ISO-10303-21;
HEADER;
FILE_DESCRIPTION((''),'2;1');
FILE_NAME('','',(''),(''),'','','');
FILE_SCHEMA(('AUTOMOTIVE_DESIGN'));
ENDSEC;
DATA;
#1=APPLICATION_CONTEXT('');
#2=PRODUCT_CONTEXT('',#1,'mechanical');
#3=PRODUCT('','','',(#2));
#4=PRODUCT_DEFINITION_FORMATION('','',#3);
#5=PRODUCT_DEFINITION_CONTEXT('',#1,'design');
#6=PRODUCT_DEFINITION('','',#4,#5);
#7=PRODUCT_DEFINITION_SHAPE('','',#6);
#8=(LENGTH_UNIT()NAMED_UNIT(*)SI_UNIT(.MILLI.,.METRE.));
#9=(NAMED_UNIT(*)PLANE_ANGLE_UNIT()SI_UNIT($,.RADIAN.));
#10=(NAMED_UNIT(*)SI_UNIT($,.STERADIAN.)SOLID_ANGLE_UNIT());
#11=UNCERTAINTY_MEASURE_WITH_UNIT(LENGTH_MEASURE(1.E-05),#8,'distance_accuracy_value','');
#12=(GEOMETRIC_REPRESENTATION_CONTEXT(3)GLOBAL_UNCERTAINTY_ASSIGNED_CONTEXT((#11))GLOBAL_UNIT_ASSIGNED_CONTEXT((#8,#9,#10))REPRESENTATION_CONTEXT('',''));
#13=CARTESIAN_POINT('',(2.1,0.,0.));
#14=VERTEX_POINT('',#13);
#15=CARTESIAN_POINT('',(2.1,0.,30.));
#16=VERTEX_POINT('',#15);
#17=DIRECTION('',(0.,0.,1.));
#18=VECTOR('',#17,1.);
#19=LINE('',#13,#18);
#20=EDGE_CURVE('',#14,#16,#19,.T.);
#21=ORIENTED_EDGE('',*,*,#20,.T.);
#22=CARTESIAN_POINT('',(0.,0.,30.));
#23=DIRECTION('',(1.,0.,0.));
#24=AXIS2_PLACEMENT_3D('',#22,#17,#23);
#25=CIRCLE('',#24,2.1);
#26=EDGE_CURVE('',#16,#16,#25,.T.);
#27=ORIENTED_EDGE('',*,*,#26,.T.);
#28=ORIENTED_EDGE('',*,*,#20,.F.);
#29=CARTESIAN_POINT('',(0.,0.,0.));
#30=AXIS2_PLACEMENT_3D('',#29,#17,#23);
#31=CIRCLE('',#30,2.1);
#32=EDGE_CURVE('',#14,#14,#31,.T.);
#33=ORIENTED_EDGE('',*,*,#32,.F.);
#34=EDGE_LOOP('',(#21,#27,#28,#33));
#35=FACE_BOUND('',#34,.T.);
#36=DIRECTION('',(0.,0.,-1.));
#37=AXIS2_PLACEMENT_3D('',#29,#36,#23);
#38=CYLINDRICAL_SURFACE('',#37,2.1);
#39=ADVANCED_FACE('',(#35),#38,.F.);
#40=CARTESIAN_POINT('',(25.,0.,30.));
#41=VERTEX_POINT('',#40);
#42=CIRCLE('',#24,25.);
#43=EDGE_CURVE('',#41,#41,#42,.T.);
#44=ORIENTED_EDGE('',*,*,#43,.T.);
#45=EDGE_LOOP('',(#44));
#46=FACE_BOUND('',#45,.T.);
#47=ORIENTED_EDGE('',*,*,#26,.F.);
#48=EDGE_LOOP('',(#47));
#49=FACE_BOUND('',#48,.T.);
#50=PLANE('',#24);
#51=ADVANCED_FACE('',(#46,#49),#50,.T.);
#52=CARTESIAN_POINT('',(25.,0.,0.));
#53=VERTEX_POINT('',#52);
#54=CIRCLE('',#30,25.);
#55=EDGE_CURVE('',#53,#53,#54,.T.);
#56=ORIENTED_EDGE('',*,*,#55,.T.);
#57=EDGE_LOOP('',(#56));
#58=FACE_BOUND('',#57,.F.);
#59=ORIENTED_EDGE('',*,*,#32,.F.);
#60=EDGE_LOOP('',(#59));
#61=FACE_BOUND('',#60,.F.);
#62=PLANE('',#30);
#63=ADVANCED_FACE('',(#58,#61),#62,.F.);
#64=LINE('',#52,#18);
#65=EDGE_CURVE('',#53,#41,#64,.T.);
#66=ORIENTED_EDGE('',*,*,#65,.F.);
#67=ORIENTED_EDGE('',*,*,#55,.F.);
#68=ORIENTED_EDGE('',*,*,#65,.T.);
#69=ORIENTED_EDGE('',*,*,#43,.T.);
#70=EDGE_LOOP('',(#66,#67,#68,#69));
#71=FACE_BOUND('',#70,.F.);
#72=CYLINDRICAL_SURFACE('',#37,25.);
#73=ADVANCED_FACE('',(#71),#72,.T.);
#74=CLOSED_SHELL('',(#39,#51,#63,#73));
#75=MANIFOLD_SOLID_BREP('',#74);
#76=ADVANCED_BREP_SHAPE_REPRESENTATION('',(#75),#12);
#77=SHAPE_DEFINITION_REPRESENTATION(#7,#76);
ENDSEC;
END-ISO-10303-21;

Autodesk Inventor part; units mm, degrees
ref_plane "YZ Plane" through (0, 0, 0) normal (1, 0, 0) x (0, 1, 0)
ref_plane "XZ Plane" through (0, 0, 0) normal (0, 1, 0) x (-1, 0, 0)
ref_plane "XY Plane" through (0, 0, 0) normal (0, 0, 1) x (1, 0, 0)
sketch "草圖1" plane through (0, 0, 0) normal (0, 0, 1) x (1, 0, 0)
  circle A0 centre (0, 0) radius 25
  circle A1 centre (0, 0) radius 2.1
  dimension "d0" = 50
  dimension "d1" = 4.2
extrude "擠出1" add sketch "草圖1" along normal blind 30
properties part number "前輪"
